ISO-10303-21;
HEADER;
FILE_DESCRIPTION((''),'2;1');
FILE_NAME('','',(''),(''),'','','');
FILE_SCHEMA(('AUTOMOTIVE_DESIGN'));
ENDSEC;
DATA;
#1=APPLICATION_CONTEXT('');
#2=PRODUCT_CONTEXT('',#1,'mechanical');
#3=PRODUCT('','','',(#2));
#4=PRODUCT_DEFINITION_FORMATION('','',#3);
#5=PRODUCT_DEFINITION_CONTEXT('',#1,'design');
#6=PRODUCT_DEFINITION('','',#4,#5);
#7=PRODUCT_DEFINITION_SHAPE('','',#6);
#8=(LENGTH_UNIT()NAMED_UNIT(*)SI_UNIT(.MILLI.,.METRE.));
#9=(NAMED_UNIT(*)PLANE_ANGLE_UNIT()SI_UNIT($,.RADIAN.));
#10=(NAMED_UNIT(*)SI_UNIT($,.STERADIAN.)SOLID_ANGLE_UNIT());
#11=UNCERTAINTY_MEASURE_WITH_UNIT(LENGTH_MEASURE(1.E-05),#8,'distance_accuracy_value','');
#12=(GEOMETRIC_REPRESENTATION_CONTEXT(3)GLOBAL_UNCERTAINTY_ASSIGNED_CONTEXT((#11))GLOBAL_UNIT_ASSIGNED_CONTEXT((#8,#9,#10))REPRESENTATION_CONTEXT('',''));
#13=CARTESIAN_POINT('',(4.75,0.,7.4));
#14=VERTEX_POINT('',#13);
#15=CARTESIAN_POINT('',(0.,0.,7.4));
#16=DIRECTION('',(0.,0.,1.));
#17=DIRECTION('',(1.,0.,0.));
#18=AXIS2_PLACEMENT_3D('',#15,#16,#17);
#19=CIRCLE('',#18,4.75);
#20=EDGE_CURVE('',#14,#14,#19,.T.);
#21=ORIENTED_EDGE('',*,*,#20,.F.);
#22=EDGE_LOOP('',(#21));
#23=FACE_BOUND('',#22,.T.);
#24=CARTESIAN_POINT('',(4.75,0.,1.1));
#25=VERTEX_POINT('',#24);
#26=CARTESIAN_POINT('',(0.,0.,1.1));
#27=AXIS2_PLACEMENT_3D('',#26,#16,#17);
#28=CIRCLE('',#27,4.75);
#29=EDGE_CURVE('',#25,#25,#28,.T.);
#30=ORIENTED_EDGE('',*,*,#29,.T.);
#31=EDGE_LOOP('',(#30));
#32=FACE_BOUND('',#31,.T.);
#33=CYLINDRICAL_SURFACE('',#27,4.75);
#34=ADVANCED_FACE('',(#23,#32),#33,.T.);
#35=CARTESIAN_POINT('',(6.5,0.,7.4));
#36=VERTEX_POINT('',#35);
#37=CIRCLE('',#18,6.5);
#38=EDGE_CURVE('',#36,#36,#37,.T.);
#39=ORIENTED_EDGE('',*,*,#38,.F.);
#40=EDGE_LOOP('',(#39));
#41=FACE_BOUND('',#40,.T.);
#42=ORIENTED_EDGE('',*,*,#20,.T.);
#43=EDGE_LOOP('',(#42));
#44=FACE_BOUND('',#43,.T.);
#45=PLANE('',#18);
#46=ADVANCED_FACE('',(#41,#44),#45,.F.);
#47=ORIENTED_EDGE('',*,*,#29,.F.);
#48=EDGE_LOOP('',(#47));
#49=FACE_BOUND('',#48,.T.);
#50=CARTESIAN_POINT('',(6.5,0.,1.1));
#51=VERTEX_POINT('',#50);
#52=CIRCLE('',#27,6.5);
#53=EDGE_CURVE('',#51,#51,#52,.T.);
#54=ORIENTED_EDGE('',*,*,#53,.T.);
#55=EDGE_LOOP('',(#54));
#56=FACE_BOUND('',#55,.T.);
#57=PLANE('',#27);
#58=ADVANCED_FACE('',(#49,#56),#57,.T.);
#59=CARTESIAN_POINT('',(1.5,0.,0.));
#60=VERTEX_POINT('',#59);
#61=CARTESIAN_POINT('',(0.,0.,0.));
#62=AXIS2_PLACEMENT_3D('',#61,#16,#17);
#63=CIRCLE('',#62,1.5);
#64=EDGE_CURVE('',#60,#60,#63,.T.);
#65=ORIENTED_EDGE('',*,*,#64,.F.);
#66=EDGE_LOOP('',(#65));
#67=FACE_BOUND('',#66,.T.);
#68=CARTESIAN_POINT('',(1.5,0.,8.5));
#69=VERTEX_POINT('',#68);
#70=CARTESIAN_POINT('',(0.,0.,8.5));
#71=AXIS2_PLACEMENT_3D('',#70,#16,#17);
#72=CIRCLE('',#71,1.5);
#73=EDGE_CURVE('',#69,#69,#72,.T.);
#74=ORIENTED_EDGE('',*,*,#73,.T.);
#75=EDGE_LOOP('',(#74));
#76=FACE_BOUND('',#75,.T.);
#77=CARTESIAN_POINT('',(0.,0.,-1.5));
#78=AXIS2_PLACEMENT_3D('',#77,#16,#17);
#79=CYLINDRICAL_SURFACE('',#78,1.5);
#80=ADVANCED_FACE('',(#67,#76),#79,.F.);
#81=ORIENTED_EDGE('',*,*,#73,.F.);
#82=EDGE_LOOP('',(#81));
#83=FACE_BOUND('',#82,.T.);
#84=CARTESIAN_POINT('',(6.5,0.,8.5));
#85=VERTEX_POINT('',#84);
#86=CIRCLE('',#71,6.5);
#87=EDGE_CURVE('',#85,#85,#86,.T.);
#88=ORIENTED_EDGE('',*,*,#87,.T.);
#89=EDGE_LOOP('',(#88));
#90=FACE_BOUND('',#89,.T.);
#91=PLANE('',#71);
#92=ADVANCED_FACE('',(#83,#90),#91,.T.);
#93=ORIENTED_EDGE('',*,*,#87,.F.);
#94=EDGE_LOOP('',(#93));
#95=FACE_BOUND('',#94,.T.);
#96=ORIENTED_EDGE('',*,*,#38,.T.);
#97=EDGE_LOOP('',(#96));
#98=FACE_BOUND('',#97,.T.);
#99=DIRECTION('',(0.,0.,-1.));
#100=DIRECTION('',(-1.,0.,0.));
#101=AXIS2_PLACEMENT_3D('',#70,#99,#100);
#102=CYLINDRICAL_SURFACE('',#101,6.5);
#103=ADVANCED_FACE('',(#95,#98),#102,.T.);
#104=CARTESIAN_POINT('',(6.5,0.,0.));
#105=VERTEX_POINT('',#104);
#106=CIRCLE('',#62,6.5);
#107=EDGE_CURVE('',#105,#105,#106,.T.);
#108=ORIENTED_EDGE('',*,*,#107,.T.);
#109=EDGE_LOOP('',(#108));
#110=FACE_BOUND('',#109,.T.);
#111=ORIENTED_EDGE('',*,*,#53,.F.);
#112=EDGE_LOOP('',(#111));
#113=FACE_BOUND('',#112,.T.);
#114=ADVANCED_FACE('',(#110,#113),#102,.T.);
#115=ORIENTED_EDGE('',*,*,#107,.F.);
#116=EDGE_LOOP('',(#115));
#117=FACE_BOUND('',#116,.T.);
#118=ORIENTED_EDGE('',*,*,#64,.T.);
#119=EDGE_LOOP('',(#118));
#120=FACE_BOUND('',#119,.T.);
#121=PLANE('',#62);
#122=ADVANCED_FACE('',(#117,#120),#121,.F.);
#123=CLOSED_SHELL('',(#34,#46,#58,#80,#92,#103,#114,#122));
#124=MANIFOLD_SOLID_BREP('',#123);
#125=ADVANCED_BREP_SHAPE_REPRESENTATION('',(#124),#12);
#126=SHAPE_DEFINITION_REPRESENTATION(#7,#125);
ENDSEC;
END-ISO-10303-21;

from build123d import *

# Parameters (mm, degrees)
SKETCH_1_R          = 6.5
EXTRUDE_1_DEPTH     = 8.5
SKETCH_2_R          = 1.5
CUT_EXTRUDE_1_DEPTH = 10
SKETCH_3_R          = 9
SKETCH_3_R_2        = 4.75
CUT_EXTRUDE_2_DEPTH = 6.3


with BuildPart() as part:
    # 草图1 → 凸台-拉伸1 (new body)
    with BuildSketch(Plane.XY):
        Circle(SKETCH_1_R)
    extrude(amount=EXTRUDE_1_DEPTH)

    # 草图2 → 切除-拉伸1 (cut)
    with BuildSketch(Plane.XY.offset(8.5)):
        Circle(SKETCH_2_R)
    extrude(amount=-CUT_EXTRUDE_1_DEPTH, mode=Mode.SUBTRACT)

    # 草图3 → 切除-拉伸2 (cut)
    with BuildSketch(Plane.XY.offset(7.4)):
        Circle(SKETCH_3_R)
        Circle(SKETCH_3_R_2, mode=Mode.SUBTRACT)
    extrude(amount=-CUT_EXTRUDE_2_DEPTH, mode=Mode.SUBTRACT)


solid = part.part
